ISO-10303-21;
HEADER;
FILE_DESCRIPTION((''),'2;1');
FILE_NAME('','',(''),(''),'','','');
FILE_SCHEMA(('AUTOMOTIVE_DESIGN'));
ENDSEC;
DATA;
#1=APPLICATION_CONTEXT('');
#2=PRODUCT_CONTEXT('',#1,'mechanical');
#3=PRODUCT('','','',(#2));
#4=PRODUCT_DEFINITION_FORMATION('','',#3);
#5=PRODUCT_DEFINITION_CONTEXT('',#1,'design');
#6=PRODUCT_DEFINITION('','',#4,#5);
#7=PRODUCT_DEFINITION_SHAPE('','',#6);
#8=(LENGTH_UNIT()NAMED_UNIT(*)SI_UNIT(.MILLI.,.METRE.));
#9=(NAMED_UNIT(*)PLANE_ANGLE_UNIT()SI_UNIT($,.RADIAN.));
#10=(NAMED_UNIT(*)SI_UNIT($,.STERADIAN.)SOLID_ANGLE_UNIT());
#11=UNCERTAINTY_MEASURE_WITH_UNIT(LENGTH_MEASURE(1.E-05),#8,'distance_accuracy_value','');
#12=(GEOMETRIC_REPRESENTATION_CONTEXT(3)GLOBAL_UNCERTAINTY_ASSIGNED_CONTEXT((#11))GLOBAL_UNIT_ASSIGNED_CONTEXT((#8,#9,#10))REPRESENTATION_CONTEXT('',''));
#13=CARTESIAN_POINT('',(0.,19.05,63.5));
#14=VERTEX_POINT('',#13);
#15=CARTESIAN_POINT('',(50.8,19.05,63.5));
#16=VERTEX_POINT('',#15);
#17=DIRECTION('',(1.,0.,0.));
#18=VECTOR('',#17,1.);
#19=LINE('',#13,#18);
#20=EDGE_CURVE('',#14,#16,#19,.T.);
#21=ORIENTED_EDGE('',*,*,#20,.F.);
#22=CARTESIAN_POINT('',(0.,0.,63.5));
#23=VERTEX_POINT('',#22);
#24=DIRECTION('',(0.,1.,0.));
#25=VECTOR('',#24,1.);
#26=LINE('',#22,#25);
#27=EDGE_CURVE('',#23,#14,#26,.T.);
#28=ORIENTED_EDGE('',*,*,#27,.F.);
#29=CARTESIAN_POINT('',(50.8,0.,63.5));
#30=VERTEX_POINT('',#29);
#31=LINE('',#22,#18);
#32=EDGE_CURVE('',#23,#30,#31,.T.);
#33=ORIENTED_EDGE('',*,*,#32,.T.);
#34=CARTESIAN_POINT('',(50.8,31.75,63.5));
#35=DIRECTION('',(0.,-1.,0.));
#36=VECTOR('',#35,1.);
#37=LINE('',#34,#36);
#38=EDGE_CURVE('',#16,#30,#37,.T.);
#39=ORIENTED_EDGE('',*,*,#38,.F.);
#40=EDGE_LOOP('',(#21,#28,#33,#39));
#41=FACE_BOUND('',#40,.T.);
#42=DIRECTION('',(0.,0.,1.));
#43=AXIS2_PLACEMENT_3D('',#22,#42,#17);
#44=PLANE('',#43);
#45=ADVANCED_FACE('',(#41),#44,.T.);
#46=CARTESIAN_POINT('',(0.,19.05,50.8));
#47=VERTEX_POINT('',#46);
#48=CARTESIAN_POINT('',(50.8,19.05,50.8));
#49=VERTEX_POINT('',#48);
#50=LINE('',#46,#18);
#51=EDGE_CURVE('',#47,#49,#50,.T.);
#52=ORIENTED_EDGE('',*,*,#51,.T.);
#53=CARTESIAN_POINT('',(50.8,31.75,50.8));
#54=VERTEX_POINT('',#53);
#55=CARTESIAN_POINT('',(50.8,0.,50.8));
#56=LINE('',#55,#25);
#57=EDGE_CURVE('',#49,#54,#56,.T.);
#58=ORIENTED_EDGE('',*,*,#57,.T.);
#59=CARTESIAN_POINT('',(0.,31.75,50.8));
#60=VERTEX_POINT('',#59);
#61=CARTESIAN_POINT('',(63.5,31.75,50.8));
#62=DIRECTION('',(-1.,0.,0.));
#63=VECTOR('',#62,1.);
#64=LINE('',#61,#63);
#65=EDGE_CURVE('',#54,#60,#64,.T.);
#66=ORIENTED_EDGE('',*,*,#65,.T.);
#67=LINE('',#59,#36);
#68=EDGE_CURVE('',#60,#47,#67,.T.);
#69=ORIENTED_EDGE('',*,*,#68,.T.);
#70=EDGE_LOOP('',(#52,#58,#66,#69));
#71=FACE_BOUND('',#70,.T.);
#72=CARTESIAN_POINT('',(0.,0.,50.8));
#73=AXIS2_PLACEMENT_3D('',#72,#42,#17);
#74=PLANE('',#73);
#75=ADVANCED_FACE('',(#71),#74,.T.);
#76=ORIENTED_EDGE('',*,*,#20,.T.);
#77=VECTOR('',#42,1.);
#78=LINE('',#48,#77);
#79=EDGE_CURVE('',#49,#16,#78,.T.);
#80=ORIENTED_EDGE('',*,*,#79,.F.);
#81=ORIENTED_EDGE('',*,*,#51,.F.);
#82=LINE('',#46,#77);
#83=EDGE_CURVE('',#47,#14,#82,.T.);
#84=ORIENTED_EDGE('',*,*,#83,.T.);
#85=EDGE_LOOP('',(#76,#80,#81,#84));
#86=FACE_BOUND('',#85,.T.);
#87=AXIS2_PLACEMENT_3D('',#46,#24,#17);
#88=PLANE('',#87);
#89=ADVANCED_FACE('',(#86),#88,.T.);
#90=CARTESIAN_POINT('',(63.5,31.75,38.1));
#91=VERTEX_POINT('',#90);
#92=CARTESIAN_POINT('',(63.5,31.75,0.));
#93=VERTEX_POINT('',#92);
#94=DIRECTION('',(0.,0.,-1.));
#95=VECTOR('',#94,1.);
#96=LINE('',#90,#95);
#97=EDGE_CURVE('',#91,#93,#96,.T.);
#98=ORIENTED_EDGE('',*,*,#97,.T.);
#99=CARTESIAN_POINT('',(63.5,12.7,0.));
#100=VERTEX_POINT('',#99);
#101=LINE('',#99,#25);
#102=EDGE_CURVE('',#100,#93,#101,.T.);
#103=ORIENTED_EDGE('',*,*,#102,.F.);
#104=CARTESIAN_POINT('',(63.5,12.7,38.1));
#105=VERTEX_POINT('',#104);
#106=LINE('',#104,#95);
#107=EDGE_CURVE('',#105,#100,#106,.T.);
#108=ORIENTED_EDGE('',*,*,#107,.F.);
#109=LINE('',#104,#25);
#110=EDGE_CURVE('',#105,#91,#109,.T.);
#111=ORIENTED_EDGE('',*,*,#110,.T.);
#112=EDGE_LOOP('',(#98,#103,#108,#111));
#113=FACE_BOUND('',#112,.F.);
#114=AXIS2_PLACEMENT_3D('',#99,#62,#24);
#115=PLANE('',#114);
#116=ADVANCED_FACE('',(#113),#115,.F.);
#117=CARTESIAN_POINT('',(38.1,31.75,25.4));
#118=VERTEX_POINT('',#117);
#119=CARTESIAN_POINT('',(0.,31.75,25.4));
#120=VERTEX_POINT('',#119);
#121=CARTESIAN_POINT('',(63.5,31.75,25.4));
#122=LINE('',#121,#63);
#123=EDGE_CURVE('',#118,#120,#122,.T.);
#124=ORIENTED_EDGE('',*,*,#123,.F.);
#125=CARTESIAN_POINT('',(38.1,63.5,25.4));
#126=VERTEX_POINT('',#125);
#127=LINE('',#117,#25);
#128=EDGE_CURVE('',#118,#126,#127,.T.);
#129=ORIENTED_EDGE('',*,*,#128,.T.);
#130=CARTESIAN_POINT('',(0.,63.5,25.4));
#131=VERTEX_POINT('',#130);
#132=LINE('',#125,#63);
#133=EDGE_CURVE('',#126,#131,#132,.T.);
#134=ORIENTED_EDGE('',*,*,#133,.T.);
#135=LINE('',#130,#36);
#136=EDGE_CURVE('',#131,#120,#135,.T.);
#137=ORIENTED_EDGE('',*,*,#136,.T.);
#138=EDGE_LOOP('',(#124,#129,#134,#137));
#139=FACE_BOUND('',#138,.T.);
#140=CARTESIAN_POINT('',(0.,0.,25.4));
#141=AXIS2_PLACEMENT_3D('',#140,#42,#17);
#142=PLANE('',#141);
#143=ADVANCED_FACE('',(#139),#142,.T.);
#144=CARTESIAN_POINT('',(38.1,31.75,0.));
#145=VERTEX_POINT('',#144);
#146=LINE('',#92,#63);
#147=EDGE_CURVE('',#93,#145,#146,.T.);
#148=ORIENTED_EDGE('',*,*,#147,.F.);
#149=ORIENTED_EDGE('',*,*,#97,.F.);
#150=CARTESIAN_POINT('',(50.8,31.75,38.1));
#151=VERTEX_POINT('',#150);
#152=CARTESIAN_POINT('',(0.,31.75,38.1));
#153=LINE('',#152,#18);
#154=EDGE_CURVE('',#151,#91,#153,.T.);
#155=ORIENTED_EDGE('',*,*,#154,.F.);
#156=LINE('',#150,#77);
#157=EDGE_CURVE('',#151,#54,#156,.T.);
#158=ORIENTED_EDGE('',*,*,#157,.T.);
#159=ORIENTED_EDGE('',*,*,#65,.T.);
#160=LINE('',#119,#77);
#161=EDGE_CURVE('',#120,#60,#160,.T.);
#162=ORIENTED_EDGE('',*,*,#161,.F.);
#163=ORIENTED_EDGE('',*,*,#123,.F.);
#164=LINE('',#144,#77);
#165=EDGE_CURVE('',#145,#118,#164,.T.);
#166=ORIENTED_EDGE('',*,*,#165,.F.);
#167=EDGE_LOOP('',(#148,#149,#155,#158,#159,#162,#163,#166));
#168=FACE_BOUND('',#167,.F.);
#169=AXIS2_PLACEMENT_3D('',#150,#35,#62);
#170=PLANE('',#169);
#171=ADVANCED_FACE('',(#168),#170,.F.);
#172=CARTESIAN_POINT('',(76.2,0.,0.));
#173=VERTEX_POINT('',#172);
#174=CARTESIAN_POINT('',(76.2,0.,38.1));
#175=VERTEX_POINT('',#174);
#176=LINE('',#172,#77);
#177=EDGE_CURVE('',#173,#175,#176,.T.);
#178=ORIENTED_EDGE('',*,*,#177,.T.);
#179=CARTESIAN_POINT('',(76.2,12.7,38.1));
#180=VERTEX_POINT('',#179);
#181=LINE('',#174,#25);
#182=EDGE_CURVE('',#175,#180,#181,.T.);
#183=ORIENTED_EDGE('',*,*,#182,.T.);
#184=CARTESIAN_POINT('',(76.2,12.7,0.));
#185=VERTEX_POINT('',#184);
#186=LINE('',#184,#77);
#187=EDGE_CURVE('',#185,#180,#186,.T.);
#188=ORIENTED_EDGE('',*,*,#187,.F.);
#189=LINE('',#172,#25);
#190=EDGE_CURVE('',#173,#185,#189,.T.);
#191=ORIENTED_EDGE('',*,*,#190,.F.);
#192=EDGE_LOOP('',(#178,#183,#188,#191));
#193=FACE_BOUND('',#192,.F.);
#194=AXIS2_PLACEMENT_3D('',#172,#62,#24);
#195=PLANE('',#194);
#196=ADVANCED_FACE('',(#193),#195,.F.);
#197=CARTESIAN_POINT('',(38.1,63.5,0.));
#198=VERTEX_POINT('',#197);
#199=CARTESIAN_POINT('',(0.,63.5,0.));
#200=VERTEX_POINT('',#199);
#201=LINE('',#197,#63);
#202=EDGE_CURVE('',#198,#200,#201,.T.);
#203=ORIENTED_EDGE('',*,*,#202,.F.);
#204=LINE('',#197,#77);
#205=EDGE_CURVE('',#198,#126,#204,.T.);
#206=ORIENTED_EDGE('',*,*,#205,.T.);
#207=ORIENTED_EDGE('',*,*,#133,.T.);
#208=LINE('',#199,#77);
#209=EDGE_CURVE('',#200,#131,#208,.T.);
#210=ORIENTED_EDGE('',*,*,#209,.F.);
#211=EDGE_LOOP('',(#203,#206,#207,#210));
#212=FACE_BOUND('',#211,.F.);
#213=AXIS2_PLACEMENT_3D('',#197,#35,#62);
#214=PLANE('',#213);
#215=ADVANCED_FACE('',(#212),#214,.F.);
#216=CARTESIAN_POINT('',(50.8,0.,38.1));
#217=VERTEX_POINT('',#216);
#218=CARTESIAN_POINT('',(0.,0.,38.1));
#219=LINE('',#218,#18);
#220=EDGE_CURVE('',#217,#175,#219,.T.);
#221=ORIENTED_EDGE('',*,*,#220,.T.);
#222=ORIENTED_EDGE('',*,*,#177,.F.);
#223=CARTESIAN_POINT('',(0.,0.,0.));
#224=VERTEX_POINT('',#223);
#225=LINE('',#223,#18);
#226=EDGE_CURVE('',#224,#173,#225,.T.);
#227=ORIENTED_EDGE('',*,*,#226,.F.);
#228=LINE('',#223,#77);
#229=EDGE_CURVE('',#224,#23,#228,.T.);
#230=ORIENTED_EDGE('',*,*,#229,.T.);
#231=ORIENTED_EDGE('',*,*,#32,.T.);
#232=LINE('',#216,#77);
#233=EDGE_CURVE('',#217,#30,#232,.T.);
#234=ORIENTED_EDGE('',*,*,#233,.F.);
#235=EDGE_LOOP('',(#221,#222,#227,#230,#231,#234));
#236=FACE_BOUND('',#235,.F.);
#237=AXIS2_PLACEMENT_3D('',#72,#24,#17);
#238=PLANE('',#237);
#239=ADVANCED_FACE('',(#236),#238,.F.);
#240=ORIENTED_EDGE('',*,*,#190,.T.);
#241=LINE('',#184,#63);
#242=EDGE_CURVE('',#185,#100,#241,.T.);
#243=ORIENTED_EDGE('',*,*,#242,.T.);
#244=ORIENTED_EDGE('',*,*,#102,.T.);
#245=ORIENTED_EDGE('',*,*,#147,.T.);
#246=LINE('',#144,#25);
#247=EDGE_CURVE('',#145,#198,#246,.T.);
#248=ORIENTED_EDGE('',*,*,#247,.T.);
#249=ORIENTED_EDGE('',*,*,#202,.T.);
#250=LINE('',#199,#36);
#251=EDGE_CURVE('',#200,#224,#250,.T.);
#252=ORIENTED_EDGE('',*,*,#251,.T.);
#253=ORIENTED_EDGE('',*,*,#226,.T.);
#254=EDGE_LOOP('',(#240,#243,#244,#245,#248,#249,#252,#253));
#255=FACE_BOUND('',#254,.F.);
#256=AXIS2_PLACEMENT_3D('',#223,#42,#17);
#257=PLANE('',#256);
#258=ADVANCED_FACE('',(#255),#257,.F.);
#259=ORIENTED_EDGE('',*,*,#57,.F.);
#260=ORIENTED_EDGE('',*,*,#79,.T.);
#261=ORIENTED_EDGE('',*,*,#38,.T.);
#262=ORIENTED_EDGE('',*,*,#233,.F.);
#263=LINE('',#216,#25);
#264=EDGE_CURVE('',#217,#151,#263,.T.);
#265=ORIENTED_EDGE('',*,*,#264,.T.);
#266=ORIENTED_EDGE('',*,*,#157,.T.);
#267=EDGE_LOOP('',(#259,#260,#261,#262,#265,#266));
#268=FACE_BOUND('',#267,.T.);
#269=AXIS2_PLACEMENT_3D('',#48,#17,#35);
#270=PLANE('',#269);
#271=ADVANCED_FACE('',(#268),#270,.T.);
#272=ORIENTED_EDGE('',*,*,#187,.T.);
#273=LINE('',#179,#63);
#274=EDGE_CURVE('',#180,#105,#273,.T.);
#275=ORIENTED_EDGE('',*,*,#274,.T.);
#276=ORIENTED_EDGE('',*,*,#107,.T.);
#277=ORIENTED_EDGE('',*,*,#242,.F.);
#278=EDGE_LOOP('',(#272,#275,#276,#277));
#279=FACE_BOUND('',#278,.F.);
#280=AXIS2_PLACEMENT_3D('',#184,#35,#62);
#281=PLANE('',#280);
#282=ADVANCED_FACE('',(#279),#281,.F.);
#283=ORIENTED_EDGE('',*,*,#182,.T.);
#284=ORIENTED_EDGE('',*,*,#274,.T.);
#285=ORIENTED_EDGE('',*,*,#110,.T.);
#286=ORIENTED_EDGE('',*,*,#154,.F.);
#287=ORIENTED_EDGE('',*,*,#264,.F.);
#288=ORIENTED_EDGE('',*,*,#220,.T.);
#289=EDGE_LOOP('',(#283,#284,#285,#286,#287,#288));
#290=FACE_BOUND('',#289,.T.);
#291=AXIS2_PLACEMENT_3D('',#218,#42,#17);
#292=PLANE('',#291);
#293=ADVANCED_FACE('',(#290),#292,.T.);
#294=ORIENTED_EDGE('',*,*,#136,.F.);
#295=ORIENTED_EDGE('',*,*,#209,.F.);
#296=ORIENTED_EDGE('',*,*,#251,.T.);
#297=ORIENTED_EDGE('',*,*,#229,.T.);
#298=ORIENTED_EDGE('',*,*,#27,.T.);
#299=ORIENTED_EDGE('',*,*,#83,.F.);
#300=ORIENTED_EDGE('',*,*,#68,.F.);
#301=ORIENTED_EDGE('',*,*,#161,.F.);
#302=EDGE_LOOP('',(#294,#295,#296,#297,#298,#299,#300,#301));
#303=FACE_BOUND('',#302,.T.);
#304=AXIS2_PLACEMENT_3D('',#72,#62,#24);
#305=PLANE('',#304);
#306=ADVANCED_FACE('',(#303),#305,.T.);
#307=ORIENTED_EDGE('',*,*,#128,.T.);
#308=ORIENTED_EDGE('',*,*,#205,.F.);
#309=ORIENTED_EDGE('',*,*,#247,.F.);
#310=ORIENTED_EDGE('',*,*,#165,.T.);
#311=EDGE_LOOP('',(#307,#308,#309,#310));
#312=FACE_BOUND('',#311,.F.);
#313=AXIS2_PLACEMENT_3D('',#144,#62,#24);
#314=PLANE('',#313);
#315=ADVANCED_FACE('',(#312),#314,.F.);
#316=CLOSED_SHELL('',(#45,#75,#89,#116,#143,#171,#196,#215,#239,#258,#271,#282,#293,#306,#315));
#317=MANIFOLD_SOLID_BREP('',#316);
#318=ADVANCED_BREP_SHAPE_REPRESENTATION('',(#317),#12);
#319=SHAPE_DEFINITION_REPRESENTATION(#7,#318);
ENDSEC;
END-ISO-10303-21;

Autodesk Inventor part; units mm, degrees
ref_plane "YZ Plane" through (0, 0, 0) normal (1, 0, 0) x (0, 1, 0)
ref_plane "XZ Plane" through (0, 0, 0) normal (0, 1, 0) x (-1, 0, 0)
ref_plane "XY Plane" through (0, 0, 0) normal (0, 0, 1) x (1, 0, 0)
sketch "Sketch1" plane through (0, 0, 0) normal (0, 0, 1) x (1, 0, 0)
  line L0 (0, 0) -> (76.2, 0)
  line L1 (76.2, 0) -> (76.2, 12.7)
  line L2 (76.2, 12.7) -> (63.5, 12.7)
  line L3 (63.5, 12.7) -> (63.5, 31.75)
  line L4 (63.5, 31.75) -> (38.1, 31.75)
  line L5 (38.1, 31.75) -> (38.1, 63.5)
  line L6 (38.1, 63.5) -> (0, 63.5)
  line L7 (0, 63.5) -> (0, 0)
extrude "Extrusion1" add sketch "Sketch1" along normal blind 25.4
sketch "Sketch2" plane through (0, 0, 25.4) normal (0, 0, 1) x (1, 0, 0)
  line L0 (63.5, 12.7) -> (63.5, 31.75) projected
  line L1 (63.5, 31.75) -> (0, 31.75)
  line L2 (63.5, 31.75) -> (38.1, 31.75) projected
  line L3 (0, 31.75) -> (0, 0)
  line L4 (0, 0) -> (76.2, 0) projected
  line L5 (0, 0) -> (76.2, 0)
  line L6 (76.2, 0) -> (76.2, 12.7) projected
  line L7 (76.2, 0) -> (76.2, 12.7)
  line L8 (76.2, 12.7) -> (63.5, 12.7) projected
  line L9 (76.2, 12.7) -> (63.5, 12.7)
  line L10 (63.5, 12.7) -> (63.5, 31.75)
extrude "Extrusion2" add sketch "Sketch2" along normal blind 12.7
sketch "Sketch3" plane through (0, 0, 38.1) normal (0, 0, 1) x (1, 0, 0)
  line L0 (63.5, 31.75) -> (0, 31.75) projected
  line L1 (0, 31.75) -> (50.8, 31.75)
  line L2 (50.8, 0) -> (50.8, 31.75)
  line L3 (0, 0) -> (76.2, 0) projected
  line L4 (50.8, 0) -> (0, 0)
  line L5 (0, 31.75) -> (0, 0) projected
  line L6 (0, 0) -> (0, 31.75)
extrude "Extrusion3" add sketch "Sketch3" along normal blind 12.7
sketch "Sketch4" plane through (0, 0, 50.8) normal (0, 0, 1) x (1, 0, 0)
  line L0 (0, 0) -> (0, 19.05)
  line L1 (0, 63.5) -> (0, 0) projected
  line L2 (0, 19.05) -> (50.8, 19.05)
  line L3 (50.8, 31.75) -> (50.8, 0) projected
  line L4 (50.8, 19.05) -> (50.8, 0)
  line L5 (0, 0) -> (50.8, 0) projected
  line L6 (50.8, 0) -> (0, 0)
extrude "Extrusion4" add sketch "Sketch4" along normal blind 12.7
properties part number "P3-2"
